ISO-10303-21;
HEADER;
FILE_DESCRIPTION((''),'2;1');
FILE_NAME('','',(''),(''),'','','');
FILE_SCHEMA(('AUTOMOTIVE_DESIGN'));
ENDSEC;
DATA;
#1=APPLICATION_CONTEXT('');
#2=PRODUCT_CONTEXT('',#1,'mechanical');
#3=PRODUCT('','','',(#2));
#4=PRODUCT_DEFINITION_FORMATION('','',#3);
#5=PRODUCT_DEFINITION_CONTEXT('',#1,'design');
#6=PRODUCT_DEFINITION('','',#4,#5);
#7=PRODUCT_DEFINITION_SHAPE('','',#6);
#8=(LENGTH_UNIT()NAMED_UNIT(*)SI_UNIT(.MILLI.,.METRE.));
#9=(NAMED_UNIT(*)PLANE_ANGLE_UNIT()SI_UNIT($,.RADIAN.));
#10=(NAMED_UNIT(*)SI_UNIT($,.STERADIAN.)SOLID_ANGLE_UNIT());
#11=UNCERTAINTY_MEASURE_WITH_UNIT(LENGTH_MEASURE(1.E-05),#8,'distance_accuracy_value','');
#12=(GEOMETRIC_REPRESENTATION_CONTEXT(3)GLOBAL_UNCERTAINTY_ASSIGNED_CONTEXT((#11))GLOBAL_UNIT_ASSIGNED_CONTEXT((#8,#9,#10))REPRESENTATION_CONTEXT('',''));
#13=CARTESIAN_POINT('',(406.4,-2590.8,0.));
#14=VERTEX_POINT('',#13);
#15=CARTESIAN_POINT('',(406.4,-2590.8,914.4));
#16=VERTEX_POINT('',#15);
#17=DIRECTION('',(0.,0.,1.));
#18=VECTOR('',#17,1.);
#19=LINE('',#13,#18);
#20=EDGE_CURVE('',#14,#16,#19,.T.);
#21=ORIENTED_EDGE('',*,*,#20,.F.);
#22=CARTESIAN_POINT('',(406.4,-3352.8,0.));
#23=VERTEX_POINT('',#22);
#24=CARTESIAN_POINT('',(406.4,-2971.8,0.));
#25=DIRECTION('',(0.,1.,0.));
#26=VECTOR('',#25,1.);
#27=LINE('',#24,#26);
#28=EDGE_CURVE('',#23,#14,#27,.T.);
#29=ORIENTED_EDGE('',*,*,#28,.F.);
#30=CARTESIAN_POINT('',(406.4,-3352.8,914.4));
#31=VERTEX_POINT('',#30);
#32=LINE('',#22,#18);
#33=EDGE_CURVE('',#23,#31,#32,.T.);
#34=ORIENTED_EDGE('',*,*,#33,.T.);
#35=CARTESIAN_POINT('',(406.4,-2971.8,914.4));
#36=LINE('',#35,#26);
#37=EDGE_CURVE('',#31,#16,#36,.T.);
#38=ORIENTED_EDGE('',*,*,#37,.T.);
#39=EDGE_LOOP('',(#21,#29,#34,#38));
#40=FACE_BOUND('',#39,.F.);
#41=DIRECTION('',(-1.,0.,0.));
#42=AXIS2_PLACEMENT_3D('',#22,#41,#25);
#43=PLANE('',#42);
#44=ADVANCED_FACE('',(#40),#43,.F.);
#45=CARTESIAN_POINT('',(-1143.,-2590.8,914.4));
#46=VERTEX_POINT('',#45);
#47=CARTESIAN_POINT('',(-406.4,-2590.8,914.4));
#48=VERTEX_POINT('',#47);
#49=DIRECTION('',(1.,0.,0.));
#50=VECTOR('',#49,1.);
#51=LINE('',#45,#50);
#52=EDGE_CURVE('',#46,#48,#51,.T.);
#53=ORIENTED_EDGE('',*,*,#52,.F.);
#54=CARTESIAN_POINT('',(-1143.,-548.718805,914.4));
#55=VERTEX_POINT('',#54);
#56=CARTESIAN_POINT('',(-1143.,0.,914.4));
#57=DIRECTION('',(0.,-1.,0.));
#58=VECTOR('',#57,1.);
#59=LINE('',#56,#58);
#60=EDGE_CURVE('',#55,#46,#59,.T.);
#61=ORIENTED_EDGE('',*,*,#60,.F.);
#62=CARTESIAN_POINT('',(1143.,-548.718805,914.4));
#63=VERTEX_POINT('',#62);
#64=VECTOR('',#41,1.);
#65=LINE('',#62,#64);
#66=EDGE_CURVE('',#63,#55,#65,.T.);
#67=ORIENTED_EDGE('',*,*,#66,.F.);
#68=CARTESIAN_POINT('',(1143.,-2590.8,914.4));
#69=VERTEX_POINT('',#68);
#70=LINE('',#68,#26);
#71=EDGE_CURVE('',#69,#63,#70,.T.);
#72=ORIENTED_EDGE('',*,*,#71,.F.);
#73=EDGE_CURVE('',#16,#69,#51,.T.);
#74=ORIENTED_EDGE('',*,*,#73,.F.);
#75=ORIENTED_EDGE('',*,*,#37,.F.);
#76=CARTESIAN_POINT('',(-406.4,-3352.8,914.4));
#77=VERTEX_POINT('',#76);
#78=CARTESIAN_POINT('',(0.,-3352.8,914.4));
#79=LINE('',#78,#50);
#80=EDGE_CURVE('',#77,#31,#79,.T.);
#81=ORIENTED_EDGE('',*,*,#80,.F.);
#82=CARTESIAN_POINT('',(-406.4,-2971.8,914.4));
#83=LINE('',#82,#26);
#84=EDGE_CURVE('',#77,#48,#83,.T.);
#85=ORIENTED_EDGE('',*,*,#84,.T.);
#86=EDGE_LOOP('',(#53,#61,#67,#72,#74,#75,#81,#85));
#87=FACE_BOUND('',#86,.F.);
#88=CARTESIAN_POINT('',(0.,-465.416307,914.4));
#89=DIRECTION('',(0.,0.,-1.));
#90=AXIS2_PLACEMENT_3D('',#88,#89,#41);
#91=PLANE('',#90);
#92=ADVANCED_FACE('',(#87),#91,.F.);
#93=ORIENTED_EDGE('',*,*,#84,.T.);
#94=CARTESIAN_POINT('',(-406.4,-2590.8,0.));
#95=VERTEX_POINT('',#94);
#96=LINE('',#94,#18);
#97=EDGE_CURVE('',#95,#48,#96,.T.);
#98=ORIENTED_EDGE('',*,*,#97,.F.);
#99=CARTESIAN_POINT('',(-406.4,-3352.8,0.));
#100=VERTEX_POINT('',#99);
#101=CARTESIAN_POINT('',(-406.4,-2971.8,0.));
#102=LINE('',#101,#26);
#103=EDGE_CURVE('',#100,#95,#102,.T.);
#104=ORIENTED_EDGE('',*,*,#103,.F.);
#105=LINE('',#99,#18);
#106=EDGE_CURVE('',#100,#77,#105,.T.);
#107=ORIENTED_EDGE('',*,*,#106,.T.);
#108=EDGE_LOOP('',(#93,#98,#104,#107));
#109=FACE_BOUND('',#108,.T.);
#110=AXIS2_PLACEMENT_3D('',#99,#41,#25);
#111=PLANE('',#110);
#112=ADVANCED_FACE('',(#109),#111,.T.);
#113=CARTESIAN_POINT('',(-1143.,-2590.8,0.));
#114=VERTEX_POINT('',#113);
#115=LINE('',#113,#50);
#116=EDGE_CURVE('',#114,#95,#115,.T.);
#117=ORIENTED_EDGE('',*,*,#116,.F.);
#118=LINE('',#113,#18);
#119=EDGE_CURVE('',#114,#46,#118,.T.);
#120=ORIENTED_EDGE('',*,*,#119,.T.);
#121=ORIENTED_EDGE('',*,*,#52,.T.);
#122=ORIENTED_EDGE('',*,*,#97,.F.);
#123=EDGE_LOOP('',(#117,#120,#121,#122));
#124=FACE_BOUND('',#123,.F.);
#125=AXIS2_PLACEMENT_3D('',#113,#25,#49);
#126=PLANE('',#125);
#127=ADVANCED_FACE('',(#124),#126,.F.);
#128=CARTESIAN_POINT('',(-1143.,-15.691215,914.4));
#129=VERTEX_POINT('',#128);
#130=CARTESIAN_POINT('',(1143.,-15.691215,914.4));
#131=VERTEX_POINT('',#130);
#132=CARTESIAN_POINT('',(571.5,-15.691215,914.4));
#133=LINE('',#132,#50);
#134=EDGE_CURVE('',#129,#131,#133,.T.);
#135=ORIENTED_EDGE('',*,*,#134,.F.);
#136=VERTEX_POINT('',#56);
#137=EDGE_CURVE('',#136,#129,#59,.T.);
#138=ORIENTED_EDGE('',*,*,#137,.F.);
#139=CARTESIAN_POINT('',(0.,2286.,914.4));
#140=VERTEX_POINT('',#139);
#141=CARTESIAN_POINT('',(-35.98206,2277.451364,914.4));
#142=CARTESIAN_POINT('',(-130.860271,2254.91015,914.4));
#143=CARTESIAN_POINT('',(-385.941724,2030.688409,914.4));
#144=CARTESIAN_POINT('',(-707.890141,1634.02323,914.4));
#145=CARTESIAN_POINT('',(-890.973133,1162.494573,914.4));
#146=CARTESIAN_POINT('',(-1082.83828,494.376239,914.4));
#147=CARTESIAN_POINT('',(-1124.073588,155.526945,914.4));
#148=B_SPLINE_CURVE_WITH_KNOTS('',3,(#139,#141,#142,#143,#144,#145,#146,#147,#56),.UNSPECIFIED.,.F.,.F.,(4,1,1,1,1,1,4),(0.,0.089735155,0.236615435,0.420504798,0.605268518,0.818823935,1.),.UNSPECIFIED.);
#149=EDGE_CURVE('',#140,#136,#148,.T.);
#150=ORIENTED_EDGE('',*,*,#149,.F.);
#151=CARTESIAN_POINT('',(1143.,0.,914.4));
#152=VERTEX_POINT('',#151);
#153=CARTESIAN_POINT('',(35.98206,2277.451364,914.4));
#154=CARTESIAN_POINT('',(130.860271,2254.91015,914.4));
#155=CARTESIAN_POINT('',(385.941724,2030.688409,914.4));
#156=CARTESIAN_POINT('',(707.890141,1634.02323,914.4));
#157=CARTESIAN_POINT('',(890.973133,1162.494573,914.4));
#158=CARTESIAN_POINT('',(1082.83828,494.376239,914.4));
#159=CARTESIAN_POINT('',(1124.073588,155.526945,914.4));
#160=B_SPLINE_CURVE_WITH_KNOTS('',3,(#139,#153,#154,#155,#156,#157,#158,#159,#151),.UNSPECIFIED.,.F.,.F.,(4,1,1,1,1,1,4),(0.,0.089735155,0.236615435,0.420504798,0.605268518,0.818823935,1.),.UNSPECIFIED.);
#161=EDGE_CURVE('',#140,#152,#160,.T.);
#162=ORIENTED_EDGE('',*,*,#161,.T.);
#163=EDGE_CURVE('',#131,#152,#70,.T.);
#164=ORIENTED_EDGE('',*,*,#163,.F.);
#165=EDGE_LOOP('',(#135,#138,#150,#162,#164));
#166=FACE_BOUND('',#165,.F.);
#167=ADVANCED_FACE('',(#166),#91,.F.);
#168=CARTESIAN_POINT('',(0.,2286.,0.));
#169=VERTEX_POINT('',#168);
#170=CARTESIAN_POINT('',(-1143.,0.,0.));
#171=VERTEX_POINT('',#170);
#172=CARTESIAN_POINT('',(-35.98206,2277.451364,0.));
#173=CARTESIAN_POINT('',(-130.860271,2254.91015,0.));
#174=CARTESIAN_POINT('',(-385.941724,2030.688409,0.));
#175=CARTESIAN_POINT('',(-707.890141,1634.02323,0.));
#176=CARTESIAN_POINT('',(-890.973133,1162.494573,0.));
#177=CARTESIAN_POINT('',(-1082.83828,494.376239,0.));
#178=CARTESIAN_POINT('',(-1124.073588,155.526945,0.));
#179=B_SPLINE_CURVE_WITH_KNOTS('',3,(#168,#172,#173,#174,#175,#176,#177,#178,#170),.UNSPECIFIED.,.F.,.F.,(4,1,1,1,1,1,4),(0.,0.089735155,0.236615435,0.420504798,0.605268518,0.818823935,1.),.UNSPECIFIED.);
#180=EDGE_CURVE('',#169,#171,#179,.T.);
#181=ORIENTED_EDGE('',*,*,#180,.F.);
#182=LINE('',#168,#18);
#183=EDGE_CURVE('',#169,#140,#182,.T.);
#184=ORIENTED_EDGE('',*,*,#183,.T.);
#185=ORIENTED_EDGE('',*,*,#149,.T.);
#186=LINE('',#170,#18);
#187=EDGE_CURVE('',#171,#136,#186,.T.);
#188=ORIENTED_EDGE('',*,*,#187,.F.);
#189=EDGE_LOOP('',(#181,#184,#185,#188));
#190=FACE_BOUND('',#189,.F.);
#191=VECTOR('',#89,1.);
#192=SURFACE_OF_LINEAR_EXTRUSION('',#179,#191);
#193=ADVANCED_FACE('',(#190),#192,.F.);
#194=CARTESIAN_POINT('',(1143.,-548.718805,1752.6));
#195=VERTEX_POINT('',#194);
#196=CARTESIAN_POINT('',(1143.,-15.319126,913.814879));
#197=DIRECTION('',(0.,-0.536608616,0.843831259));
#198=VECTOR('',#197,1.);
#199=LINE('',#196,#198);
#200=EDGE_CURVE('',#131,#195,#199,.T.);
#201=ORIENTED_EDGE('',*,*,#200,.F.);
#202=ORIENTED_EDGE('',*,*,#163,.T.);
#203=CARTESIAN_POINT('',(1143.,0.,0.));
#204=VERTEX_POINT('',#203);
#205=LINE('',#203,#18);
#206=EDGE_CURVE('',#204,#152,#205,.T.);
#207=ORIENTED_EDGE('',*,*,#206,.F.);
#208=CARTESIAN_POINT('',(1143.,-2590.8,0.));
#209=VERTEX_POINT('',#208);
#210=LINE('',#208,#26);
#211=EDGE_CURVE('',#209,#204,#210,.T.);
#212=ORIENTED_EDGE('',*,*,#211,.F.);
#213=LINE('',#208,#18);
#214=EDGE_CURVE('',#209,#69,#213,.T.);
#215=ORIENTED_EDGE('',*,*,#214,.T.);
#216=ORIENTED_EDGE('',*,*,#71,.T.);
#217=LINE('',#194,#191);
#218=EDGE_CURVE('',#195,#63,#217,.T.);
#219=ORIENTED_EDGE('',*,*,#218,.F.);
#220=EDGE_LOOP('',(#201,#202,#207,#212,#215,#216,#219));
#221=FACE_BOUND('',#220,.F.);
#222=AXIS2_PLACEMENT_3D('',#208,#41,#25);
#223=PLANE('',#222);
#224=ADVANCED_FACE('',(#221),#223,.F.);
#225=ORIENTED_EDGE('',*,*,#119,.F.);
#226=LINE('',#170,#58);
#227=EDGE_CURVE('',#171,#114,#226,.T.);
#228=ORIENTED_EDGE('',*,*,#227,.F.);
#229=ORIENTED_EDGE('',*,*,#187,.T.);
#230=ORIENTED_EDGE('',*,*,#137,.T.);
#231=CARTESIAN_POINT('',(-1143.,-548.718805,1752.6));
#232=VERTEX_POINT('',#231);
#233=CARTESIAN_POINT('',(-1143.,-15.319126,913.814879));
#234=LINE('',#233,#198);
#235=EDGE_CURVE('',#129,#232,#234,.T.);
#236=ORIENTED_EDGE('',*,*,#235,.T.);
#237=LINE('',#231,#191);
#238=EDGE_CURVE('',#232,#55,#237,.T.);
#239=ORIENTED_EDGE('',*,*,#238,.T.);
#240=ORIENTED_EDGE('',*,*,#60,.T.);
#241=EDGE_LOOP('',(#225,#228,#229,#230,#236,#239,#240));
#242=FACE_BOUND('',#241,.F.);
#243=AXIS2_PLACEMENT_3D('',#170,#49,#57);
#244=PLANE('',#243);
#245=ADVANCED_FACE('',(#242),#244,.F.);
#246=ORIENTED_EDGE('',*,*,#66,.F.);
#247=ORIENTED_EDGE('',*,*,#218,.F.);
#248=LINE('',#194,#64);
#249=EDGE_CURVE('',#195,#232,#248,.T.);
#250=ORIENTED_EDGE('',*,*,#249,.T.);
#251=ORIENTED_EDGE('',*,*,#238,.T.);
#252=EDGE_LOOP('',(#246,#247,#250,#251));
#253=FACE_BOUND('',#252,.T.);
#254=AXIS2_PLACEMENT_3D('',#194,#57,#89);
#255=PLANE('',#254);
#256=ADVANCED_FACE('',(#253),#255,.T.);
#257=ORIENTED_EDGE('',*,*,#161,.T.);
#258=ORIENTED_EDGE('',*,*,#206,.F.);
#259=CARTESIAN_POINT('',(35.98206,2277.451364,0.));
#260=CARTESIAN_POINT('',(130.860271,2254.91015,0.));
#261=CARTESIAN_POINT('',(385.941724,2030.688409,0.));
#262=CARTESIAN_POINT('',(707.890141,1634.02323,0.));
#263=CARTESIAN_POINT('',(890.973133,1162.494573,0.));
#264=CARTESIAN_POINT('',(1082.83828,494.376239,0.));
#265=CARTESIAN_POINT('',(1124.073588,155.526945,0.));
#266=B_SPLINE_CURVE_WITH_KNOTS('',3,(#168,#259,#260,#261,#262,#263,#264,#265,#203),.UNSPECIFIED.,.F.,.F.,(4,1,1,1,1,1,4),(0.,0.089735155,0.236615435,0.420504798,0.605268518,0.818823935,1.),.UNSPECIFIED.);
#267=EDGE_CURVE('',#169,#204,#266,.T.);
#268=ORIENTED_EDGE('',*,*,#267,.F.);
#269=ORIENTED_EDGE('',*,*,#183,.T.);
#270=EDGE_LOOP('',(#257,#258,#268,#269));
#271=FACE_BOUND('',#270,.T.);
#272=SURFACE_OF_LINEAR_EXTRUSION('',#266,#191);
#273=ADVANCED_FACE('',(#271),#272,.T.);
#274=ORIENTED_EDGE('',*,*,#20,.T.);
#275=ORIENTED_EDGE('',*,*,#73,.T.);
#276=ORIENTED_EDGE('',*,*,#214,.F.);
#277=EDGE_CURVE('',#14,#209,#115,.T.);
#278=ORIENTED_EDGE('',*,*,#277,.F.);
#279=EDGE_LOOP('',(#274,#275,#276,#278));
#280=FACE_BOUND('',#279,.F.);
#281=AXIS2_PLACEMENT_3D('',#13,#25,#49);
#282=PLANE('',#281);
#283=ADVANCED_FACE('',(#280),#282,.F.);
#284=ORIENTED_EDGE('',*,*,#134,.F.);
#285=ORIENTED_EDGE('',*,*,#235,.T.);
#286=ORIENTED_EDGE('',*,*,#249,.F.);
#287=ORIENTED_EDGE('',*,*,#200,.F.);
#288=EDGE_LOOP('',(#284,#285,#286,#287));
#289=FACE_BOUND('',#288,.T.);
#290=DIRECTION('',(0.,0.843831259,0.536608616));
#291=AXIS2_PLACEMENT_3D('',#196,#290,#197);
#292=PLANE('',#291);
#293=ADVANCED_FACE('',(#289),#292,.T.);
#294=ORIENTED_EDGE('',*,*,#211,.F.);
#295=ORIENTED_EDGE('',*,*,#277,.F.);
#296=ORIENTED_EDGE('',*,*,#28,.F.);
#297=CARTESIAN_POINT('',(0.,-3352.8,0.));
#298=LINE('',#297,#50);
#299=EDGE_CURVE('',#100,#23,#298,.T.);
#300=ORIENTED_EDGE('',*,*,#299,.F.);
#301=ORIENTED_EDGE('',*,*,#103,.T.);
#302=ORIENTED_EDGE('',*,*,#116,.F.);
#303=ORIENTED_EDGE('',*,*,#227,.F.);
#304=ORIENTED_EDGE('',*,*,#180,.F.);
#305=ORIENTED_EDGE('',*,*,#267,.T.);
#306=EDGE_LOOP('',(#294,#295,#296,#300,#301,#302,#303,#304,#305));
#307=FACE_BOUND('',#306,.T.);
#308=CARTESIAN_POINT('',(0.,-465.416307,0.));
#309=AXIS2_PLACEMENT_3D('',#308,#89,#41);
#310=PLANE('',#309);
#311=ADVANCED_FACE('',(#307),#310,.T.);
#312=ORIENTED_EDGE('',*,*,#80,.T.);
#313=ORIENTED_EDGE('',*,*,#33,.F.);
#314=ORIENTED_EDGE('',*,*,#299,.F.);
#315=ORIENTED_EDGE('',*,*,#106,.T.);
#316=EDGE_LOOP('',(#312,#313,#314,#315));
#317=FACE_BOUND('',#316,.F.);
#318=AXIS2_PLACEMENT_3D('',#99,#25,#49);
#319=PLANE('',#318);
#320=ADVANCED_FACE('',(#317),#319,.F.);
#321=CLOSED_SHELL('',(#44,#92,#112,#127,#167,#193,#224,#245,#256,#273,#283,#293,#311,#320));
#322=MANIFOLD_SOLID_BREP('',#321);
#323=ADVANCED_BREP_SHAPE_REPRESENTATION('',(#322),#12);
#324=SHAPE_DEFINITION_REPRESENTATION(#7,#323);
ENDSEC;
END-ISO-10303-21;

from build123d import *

# Parameters (mm, degrees)
F0_W     = 812.8
F0_H     = 762
F1_DEPTH = 914.4
F3_DEPTH = 2286


with BuildPart() as f1:
    # F0 (on Top) → F1 (new body)
    with BuildSketch(Plane.XY):
        with BuildLine():
            add(Edge.make_bspline(
                [(0, 2286), (35.9820604796, 2277.4513637927), (130.860270911, 2254.9101503612), (385.9417236513, 2030.6884089768), (707.8901406024, 1634.0232301839), (890.9731328958, 1162.4945728731), (1082.8382796299, 494.3762388073), (1124.0735875696, 155.5269452718), (1143, 0)],
                knots=[0, 0, 0, 0, 0.0897351549, 0.2366154354, 0.4205047979, 0.6052685178, 0.818823935, 1, 1, 1, 1], degree=3))
            add(Edge.make_bspline(
                [(0, 2286), (-35.9820604796, 2277.4513637927), (-130.860270911, 2254.9101503612), (-385.9417236513, 2030.6884089768), (-707.8901406024, 1634.0232301839), (-890.9731328958, 1162.4945728731), (-1082.8382796299, 494.3762388073), (-1124.0735875696, 155.5269452718), (-1143, 0)],
                knots=[0, 0, 0, 0, 0.0897351549, 0.2366154354, 0.4205047979, 0.6052685178, 0.818823935, 1, 1, 1, 1], degree=3))
            Line((-1143, 0), (-1143, -2590.8))
            Line((-1143, -2590.8), (-406.4, -2590.8))
            Line((-406.4, -2590.8), (406.4, -2590.8))
            Line((406.4, -2590.8), (1143, -2590.8))
            Line((1143, -2590.8), (1143, 0))
        make_face()
        with Locations((0, -2971.8)):
            Rectangle(F0_W, F0_H)
    extrude(amount=F1_DEPTH)

    # F2 (on face) → F3 (join)
    with BuildSketch(Plane.YZ.offset(1143)):
        Polygon((-548.7188048129, 914.4), (-15.319125741, 913.8148794665), (-548.7188048129, 1752.6), align=None)
    extrude(amount=-F3_DEPTH)


solid = f1.part
